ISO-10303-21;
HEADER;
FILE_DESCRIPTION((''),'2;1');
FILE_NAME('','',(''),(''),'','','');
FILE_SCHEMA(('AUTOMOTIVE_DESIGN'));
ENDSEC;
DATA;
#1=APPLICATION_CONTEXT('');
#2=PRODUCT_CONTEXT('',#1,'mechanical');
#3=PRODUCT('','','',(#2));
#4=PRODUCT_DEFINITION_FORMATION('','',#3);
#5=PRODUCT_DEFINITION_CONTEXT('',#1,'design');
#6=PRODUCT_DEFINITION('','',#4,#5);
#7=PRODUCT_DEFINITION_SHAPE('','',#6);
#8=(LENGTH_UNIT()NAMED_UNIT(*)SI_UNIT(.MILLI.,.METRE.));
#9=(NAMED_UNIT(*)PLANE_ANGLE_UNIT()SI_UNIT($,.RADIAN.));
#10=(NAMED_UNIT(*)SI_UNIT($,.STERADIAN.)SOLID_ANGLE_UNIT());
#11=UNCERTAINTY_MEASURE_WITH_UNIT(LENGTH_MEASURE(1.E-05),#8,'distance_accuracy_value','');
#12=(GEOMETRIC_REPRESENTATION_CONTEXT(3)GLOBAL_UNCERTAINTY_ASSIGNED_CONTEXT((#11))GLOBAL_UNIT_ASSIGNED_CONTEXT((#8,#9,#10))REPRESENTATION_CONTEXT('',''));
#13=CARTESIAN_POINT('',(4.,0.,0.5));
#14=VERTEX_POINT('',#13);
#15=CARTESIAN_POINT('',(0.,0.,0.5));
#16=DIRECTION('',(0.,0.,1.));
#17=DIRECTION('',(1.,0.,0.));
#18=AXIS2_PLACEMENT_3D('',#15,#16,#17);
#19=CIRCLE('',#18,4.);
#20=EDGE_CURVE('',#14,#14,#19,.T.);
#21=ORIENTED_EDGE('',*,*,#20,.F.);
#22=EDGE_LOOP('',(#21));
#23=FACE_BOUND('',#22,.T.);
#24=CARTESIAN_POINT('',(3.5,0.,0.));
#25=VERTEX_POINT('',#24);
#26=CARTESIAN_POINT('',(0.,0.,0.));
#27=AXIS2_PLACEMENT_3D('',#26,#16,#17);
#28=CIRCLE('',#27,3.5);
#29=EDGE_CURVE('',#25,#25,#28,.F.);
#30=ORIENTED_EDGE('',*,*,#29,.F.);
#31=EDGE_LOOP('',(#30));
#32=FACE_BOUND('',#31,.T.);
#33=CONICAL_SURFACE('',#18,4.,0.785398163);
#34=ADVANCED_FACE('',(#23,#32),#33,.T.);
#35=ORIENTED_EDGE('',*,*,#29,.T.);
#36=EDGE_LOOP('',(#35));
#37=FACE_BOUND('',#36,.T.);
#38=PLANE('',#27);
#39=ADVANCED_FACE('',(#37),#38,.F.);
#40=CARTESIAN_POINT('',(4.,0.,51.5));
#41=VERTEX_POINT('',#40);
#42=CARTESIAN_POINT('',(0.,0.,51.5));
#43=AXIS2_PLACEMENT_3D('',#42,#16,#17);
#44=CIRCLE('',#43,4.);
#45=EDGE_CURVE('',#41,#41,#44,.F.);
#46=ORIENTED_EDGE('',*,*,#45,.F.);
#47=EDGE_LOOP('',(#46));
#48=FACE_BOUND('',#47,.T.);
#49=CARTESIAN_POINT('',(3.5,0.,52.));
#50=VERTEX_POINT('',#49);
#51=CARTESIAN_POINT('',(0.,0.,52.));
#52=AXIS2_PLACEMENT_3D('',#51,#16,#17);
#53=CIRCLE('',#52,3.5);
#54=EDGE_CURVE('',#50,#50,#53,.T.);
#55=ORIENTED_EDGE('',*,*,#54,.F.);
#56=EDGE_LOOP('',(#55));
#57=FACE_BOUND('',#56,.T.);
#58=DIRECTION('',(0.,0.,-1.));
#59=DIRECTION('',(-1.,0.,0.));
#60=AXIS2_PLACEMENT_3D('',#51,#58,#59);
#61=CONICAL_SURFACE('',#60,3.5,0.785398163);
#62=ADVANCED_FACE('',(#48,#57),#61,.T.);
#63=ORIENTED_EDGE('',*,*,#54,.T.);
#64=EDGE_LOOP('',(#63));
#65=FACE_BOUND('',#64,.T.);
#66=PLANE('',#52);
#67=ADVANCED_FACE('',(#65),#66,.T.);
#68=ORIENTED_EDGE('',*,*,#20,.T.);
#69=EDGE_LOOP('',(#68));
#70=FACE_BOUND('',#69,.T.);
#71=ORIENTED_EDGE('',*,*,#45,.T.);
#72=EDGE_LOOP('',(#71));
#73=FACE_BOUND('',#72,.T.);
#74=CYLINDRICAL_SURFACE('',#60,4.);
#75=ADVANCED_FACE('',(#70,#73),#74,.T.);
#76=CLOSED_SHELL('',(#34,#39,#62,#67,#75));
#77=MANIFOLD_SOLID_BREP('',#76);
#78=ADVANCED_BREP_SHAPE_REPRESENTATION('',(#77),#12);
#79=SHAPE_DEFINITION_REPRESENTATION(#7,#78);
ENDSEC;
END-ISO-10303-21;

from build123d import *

# Parameters (mm, degrees)
SKETCH_1_R      = 4
EXTRUDE_1_DEPTH = 52
CHAMFER_1_SIZE  = 0.5


with BuildPart() as part:
    # Эскиз1 → Вытянуть1 (new body)
    with BuildSketch(Plane.XY):
        Circle(SKETCH_1_R)
    extrude(amount=EXTRUDE_1_DEPTH)

    # Фаска1
    chamfer_1_edges = [part.edges().sort_by_distance(p)[0] for p in [
        (-4, 0, 0),
        (-4, 0, 52),
    ]]
    chamfer(chamfer_1_edges, length=CHAMFER_1_SIZE)


solid = part.part
